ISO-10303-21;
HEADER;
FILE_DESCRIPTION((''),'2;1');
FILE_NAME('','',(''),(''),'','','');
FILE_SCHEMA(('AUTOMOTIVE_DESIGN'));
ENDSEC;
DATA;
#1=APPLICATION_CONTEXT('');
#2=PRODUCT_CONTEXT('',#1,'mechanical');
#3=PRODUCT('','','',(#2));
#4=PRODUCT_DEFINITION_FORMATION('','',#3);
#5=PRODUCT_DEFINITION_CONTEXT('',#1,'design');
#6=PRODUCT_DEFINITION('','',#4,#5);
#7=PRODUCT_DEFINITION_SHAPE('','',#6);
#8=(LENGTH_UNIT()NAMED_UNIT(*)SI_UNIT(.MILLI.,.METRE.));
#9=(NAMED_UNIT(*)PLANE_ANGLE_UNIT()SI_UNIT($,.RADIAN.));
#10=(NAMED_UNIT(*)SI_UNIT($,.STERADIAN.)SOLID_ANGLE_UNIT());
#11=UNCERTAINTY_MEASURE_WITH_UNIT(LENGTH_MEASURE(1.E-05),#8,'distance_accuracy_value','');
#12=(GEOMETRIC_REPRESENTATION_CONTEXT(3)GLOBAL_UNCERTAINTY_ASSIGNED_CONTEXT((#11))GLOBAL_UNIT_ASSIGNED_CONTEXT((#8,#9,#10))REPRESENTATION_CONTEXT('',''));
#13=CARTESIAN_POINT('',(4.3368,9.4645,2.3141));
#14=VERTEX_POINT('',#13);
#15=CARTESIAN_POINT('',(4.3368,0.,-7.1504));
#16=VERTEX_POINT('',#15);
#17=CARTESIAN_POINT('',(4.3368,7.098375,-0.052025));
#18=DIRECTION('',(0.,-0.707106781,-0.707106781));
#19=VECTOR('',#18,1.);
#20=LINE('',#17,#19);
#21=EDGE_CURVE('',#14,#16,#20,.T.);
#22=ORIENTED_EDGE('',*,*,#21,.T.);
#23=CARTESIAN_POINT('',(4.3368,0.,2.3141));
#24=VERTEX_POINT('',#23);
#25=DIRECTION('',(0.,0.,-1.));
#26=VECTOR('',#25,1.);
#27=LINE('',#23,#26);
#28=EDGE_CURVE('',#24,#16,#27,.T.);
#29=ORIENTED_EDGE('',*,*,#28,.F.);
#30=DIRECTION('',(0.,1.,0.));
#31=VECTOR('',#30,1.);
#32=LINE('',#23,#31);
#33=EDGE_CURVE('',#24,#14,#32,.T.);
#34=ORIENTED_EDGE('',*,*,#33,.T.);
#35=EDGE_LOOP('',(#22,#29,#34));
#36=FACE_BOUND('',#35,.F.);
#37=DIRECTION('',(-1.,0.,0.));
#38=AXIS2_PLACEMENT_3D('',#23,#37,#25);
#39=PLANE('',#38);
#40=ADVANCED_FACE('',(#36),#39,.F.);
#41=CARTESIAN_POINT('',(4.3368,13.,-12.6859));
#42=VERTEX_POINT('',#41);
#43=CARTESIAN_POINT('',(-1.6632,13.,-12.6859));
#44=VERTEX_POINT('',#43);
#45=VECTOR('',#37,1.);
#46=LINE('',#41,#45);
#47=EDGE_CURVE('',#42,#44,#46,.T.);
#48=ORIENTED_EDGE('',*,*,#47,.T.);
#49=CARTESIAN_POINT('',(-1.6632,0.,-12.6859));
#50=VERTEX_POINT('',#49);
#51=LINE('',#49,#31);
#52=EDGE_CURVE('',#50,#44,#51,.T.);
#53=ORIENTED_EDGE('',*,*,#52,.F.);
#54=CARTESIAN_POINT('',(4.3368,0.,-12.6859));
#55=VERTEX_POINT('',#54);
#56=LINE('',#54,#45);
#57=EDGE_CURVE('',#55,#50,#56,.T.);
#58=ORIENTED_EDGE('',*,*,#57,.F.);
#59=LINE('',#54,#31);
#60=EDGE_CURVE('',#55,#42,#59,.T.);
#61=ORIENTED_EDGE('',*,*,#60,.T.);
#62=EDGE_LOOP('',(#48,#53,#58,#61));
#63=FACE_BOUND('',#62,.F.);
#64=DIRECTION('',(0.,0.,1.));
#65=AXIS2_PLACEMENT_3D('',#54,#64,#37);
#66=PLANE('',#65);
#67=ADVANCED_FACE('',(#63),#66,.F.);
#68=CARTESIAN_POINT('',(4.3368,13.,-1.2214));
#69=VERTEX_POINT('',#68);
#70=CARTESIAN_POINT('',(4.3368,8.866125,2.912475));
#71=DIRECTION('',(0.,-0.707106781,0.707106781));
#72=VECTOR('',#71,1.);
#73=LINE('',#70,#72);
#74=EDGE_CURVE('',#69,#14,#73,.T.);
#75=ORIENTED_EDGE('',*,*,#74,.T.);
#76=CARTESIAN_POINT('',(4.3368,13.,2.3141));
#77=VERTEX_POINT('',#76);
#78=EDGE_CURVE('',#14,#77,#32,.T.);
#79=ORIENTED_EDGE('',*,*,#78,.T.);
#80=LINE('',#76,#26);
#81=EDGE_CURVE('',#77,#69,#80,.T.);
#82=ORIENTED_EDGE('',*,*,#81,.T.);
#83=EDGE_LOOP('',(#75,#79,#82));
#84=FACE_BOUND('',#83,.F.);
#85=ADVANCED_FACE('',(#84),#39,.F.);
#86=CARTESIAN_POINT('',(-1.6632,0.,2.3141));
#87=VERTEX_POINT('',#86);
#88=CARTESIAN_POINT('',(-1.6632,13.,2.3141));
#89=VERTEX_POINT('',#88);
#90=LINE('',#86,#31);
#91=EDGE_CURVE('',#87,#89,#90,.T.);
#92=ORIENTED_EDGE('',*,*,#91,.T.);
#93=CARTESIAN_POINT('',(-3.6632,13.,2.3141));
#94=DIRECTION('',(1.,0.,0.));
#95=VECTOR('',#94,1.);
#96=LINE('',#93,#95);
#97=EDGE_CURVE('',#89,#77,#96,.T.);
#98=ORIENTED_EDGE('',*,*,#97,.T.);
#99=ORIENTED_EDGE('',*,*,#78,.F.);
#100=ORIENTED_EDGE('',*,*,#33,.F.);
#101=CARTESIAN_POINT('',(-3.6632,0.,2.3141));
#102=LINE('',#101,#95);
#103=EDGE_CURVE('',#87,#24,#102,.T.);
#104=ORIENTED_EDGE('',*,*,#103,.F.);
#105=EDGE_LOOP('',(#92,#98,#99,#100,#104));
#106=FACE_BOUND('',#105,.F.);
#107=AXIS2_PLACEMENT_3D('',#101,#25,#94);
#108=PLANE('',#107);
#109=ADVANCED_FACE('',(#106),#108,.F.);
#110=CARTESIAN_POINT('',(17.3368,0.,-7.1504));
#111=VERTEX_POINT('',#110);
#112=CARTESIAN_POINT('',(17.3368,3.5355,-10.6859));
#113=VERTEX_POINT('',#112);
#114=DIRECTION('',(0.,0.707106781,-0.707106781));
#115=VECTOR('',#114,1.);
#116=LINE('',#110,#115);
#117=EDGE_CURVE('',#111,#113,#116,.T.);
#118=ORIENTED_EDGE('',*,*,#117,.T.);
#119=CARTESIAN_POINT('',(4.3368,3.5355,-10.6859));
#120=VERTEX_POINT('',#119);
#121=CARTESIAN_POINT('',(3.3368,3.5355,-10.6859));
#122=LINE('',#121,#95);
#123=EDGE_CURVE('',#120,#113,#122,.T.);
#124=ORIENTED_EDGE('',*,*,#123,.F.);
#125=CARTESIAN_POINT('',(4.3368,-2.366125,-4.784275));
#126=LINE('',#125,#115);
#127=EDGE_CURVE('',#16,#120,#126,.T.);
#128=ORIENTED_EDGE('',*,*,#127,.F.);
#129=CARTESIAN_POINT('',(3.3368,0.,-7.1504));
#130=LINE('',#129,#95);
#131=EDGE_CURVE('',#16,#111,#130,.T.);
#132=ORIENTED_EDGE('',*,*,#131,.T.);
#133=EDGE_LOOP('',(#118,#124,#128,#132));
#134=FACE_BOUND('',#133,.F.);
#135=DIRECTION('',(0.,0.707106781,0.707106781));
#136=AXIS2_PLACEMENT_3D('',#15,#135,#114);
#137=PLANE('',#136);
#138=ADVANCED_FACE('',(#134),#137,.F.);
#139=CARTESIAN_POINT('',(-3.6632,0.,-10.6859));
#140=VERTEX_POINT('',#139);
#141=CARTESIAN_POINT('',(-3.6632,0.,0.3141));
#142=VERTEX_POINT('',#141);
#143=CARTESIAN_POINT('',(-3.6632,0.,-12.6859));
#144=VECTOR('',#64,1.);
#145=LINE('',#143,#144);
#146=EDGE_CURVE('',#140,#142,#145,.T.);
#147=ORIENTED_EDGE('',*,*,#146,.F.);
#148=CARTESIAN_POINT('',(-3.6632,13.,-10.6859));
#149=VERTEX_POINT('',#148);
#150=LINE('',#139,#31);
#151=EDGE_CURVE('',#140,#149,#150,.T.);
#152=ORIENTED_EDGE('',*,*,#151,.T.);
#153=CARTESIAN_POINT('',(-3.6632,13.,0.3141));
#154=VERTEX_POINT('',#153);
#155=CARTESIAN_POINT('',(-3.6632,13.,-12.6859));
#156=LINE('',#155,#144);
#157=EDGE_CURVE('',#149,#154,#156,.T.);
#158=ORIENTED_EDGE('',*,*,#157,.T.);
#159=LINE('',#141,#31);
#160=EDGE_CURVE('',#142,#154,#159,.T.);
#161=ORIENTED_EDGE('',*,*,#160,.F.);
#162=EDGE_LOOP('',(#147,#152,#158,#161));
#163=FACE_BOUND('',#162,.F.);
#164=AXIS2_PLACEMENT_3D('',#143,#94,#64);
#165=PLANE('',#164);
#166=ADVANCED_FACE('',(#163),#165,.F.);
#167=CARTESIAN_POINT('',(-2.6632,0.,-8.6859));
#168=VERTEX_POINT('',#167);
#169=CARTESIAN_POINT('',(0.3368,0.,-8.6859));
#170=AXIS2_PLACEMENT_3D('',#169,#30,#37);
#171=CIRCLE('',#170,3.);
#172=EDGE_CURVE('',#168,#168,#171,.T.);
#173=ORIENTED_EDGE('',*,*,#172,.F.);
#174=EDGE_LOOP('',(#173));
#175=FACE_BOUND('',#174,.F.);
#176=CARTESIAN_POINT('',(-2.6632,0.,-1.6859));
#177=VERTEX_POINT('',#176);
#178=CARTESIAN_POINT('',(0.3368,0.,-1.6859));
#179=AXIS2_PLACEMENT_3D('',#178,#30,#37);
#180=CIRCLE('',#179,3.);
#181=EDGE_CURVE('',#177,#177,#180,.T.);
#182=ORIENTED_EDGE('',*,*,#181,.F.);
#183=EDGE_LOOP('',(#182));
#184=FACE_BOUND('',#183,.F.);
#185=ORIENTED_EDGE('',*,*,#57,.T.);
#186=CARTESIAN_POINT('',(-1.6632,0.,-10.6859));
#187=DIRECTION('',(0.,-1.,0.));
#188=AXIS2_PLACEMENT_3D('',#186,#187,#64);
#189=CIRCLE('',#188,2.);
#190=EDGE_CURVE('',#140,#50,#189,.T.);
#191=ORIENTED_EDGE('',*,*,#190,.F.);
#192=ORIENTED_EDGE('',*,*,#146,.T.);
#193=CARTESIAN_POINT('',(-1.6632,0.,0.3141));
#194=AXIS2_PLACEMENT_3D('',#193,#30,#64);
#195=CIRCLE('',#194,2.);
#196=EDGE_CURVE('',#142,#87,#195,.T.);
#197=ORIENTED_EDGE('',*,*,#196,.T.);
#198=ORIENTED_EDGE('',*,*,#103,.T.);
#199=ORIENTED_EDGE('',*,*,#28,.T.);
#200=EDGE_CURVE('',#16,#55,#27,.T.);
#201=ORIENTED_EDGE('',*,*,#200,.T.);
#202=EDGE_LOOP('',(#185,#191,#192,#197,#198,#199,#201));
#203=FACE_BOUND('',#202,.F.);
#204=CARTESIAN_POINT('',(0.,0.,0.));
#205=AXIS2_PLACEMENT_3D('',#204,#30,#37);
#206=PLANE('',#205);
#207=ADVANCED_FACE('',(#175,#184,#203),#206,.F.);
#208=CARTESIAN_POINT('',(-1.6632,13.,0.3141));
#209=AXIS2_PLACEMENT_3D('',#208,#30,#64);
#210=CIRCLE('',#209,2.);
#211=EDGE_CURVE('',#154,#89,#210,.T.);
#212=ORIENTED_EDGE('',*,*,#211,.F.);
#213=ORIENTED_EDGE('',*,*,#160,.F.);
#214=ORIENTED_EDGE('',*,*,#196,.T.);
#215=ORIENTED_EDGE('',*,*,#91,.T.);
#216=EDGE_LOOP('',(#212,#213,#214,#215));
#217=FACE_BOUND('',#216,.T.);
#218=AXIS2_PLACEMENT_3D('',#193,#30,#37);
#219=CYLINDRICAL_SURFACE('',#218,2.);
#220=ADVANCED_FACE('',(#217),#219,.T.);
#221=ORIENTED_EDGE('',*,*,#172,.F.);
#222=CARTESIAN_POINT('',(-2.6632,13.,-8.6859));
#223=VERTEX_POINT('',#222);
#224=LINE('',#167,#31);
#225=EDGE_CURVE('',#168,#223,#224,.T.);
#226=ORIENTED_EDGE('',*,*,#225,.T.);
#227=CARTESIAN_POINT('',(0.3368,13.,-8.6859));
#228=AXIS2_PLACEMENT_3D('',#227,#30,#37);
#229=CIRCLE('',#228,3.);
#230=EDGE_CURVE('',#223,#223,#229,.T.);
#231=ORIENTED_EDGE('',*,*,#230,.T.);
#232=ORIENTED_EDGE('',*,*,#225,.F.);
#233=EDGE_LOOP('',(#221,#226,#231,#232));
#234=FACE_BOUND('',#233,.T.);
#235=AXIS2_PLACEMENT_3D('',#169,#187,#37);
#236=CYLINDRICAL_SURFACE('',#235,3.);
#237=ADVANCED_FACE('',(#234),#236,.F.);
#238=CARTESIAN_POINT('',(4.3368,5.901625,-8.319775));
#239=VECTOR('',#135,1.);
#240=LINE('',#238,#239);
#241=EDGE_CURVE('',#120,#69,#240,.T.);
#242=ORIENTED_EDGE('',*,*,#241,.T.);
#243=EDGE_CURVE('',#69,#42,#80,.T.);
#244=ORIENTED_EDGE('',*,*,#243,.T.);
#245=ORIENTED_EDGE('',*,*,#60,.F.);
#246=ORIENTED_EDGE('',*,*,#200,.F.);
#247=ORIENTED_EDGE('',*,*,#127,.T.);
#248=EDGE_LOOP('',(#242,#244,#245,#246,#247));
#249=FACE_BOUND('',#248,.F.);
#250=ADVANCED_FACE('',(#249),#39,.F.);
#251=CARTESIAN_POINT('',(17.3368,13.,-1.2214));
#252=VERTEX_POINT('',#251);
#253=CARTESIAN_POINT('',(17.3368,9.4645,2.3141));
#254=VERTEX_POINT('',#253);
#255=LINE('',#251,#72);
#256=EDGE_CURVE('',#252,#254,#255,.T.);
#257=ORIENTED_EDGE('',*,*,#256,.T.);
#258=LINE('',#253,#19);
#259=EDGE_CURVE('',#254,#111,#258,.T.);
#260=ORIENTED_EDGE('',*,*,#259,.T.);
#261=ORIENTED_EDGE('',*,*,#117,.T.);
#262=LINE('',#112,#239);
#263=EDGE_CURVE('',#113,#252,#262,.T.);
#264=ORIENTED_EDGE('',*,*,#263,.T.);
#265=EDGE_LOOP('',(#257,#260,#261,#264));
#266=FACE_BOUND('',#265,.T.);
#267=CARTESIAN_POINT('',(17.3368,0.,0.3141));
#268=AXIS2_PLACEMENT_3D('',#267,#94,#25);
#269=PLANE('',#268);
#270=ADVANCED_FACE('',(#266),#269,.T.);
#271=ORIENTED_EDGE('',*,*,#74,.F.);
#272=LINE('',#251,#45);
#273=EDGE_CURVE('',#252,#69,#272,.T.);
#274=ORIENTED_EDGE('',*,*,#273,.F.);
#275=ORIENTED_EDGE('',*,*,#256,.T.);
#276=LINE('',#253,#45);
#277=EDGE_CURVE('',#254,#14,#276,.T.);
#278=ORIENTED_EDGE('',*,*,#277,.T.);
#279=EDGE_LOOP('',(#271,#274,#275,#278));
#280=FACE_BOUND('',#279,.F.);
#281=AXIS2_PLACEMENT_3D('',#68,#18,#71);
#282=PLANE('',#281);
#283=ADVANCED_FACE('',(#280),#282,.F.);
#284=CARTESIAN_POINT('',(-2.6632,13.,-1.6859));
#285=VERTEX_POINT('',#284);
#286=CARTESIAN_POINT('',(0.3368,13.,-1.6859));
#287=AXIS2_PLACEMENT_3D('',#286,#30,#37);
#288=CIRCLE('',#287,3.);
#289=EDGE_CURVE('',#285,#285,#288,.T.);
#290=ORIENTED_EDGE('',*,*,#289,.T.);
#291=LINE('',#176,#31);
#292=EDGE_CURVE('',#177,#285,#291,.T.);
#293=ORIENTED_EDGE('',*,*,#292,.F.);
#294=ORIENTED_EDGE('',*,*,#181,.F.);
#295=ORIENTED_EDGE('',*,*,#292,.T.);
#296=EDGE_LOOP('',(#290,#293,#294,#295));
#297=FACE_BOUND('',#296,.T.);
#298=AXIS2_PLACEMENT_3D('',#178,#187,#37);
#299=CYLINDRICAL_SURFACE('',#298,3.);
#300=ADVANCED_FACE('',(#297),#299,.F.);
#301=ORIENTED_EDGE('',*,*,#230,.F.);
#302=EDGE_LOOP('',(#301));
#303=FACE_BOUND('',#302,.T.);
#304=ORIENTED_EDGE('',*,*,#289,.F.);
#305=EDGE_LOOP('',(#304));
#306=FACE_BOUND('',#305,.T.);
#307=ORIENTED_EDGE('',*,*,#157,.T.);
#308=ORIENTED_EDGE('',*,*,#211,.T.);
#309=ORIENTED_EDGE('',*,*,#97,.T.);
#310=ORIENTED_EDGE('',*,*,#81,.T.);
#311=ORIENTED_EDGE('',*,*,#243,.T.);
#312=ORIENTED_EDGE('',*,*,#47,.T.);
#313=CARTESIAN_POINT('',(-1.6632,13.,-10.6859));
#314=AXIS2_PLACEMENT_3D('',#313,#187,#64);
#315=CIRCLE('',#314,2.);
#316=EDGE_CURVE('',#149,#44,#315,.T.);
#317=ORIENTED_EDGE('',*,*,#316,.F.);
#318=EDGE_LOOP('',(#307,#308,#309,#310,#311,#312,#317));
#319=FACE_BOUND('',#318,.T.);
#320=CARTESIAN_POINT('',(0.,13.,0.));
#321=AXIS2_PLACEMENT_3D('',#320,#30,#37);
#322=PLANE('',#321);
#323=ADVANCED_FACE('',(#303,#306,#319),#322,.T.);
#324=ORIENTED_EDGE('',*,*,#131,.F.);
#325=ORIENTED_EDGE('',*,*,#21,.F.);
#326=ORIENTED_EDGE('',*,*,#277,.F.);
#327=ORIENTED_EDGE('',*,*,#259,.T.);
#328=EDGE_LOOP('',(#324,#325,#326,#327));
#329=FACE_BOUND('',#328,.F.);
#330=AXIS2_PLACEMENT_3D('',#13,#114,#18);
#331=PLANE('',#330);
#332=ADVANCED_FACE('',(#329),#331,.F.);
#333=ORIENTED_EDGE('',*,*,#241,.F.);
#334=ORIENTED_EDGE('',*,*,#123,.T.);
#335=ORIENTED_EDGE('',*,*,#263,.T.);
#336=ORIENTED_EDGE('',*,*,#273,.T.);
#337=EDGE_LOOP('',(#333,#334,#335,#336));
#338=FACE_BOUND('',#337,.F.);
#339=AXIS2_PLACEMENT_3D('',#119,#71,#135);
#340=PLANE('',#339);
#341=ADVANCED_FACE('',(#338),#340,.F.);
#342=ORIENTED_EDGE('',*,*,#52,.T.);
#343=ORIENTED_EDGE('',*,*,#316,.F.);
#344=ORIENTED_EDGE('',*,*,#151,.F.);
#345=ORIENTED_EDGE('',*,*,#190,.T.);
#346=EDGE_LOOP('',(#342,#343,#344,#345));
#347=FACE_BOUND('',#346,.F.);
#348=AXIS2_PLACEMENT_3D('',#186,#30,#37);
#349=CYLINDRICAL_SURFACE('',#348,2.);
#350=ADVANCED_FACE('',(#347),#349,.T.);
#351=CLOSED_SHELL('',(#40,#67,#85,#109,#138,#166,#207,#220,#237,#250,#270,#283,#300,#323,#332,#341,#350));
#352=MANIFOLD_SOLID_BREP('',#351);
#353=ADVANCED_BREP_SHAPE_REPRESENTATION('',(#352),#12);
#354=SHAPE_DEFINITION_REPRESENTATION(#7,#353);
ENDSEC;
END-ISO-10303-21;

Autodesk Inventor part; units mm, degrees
ref_plane "YZ Plane" through (0, 0, 0) normal (1, 0, 0) x (0, 1, 0)
ref_plane "XZ Plane" through (0, 0, 0) normal (0, 1, 0) x (-1, 0, 0)
ref_plane "XY Plane" through (0, 0, 0) normal (0, 0, 1) x (1, 0, 0)
sketch "Szkic1" plane through (0, 0, 0) normal (0, 1, 0) x (-1, 0, 0)
  circle A0 centre (-0.3368, -8.6859) radius 3
  circle A1 centre (-0.3368, -1.6859) radius 3
  line L0 (3.6632, 2.3141) -> (-4.3368, 2.3141)
  line L1 (-4.3368, 2.3141) -> (-4.3368, -12.6859)
  line L2 (-4.3368, -12.6859) -> (3.6632, -12.6859)
  line L3 (3.6632, -12.6859) -> (3.6632, 2.3141)
  point P0 (0, 0)
  dimension "d0" = 6
  dimension "d1" = 6
  dimension "d2" = 7
  dimension "d3" = 8
  dimension "d4" = 15
  dimension "d5" = 4
  dimension "d6" = 4
extrude "Wyciągnięcie proste1" add sketch "Szkic1" along normal blind 13
fillet "Zaokrąglenie1" radius 2 2 edges at (-3.6632, 6.5, 2.3141) (-3.6632, 6.5, -12.6859)
sketch "Szkic2" plane through (4.3368, 0, 0.3141) normal (1, 0, 0) x (0, 0, -1)
  line L0 (6, 13) -> (6, 0) construction
  line L1 (-2, 0) -> (13, 0) projected
  line L2 (13, 0) -> (13, 13) projected
  line L3 (-2, 13) -> (13, 13) projected
  line L4 (-2, 0) -> (-2, 13) projected
  line L5 (-2, 3.5355) -> (3, 3.5355) construction
  line L6 (-2, 0) -> (-2, 13) construction
  line L7 (1.5355, 13) -> (-2, 9.4645)
  line L8 (-2, 9.4645) -> (7.4645, 0)
  line L9 (7.4645, 0) -> (11, 3.5355)
  line L10 (11, 3.5355) -> (1.5355, 13)
  dimension "d22" = 5
  dimension "d23" = 45
extrude "Wyciągnięcie proste2" add sketch "Szkic2" along normal blind 13 and the other way blind 1 contours L8 L7 L10 L9
properties part number "obudowa_stand_prawa"
